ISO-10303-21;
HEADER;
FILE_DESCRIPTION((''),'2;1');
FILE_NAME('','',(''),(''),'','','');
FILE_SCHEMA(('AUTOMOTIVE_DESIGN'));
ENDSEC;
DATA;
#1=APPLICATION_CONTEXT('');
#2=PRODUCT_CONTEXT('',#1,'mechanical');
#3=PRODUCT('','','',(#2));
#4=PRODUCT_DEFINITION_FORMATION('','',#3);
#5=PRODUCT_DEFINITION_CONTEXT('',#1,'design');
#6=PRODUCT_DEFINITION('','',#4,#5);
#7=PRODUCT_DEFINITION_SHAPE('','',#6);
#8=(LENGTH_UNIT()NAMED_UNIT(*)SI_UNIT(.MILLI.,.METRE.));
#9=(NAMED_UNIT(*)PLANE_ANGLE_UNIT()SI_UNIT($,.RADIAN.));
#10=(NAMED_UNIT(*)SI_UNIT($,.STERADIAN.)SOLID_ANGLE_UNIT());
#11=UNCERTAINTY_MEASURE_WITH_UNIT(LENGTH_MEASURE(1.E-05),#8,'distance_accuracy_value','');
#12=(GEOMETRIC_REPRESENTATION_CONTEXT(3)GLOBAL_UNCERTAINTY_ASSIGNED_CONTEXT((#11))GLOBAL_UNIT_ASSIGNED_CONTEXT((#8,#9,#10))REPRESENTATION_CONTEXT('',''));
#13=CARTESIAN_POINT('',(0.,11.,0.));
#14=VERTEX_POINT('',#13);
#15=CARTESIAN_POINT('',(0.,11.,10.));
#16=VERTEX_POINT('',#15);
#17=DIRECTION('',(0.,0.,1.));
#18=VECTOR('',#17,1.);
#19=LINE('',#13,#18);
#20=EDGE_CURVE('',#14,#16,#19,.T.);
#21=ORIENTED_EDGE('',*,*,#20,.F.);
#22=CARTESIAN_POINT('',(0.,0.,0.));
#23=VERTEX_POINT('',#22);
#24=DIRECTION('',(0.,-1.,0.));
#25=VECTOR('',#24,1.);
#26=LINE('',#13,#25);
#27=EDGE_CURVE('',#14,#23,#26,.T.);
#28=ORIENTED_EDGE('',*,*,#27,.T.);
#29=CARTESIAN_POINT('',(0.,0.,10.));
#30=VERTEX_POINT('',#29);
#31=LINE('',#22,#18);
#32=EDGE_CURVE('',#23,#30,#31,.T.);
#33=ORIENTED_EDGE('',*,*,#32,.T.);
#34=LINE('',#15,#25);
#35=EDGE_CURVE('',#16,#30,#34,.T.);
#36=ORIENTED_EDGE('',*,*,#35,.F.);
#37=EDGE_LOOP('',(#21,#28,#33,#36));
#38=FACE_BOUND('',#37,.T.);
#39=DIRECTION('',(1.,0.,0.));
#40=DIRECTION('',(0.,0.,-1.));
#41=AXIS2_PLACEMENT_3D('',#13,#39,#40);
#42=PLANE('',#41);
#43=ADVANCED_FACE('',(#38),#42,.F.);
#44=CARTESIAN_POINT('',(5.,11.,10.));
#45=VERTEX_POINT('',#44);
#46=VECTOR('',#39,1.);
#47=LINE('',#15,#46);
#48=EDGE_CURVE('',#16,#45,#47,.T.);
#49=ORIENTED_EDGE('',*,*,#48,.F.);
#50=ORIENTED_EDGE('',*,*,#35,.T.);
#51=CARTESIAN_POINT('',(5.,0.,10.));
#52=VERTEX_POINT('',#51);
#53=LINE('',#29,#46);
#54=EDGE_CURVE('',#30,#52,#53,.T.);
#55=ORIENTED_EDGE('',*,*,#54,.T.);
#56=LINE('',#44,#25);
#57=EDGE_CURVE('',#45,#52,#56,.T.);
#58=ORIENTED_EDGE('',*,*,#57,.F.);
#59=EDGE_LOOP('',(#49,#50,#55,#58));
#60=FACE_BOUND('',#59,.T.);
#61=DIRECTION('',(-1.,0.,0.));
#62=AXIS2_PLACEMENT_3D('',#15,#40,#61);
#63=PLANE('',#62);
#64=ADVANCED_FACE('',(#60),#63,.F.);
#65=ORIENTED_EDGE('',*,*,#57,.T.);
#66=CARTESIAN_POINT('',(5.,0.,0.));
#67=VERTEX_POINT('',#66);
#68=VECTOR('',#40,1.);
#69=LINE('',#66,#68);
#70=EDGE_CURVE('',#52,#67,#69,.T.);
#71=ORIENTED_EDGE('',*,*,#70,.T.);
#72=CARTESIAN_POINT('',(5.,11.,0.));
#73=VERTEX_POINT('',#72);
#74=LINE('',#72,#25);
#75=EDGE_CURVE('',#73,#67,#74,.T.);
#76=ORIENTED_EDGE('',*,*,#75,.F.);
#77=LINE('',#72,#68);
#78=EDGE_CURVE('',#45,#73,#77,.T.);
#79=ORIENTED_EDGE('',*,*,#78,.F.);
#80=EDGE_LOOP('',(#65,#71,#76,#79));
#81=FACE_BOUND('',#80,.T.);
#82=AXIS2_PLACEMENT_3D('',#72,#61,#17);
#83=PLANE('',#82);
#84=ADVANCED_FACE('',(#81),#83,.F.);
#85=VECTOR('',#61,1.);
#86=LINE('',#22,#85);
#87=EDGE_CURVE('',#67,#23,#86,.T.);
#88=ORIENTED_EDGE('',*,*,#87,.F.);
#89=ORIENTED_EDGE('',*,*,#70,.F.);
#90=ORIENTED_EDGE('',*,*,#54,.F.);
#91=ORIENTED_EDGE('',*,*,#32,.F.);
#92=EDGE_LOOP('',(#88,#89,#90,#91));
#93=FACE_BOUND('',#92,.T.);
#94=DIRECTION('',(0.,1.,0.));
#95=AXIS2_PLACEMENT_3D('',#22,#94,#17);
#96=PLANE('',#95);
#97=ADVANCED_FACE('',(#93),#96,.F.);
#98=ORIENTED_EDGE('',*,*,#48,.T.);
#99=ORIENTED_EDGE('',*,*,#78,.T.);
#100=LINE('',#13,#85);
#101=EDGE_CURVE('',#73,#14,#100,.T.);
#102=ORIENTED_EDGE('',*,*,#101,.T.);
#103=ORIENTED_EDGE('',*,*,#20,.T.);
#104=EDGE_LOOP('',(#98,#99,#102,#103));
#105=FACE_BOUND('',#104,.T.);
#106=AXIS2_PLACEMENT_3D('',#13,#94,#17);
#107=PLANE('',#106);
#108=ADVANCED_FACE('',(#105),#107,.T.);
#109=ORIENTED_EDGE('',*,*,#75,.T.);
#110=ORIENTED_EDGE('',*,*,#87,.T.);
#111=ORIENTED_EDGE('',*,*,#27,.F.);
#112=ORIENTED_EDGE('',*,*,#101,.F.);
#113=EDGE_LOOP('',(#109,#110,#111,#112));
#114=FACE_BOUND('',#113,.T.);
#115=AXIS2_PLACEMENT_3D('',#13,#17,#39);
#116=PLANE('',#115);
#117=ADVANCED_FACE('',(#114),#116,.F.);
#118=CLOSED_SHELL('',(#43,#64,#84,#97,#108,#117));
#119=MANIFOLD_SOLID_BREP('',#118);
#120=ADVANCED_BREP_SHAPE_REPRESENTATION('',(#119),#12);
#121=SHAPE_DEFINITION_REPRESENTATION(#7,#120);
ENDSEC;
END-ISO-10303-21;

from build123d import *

# Parameters (mm, degrees)
SKETCH1_W           = 5
SKETCH1_H           = 10
BOSS_EXTRUDE1_DEPTH = 11


with BuildPart() as part:
    # Sketch1 → Boss-Extrude1 (new body)
    with BuildSketch(Plane(origin=(0, 0, 0), x_dir=(1, 0, 0), z_dir=(0, 1, 0))):
        with Locations((2.5, -5)):
            Rectangle(SKETCH1_W, SKETCH1_H)
    extrude(amount=BOSS_EXTRUDE1_DEPTH)


solid = part.part
